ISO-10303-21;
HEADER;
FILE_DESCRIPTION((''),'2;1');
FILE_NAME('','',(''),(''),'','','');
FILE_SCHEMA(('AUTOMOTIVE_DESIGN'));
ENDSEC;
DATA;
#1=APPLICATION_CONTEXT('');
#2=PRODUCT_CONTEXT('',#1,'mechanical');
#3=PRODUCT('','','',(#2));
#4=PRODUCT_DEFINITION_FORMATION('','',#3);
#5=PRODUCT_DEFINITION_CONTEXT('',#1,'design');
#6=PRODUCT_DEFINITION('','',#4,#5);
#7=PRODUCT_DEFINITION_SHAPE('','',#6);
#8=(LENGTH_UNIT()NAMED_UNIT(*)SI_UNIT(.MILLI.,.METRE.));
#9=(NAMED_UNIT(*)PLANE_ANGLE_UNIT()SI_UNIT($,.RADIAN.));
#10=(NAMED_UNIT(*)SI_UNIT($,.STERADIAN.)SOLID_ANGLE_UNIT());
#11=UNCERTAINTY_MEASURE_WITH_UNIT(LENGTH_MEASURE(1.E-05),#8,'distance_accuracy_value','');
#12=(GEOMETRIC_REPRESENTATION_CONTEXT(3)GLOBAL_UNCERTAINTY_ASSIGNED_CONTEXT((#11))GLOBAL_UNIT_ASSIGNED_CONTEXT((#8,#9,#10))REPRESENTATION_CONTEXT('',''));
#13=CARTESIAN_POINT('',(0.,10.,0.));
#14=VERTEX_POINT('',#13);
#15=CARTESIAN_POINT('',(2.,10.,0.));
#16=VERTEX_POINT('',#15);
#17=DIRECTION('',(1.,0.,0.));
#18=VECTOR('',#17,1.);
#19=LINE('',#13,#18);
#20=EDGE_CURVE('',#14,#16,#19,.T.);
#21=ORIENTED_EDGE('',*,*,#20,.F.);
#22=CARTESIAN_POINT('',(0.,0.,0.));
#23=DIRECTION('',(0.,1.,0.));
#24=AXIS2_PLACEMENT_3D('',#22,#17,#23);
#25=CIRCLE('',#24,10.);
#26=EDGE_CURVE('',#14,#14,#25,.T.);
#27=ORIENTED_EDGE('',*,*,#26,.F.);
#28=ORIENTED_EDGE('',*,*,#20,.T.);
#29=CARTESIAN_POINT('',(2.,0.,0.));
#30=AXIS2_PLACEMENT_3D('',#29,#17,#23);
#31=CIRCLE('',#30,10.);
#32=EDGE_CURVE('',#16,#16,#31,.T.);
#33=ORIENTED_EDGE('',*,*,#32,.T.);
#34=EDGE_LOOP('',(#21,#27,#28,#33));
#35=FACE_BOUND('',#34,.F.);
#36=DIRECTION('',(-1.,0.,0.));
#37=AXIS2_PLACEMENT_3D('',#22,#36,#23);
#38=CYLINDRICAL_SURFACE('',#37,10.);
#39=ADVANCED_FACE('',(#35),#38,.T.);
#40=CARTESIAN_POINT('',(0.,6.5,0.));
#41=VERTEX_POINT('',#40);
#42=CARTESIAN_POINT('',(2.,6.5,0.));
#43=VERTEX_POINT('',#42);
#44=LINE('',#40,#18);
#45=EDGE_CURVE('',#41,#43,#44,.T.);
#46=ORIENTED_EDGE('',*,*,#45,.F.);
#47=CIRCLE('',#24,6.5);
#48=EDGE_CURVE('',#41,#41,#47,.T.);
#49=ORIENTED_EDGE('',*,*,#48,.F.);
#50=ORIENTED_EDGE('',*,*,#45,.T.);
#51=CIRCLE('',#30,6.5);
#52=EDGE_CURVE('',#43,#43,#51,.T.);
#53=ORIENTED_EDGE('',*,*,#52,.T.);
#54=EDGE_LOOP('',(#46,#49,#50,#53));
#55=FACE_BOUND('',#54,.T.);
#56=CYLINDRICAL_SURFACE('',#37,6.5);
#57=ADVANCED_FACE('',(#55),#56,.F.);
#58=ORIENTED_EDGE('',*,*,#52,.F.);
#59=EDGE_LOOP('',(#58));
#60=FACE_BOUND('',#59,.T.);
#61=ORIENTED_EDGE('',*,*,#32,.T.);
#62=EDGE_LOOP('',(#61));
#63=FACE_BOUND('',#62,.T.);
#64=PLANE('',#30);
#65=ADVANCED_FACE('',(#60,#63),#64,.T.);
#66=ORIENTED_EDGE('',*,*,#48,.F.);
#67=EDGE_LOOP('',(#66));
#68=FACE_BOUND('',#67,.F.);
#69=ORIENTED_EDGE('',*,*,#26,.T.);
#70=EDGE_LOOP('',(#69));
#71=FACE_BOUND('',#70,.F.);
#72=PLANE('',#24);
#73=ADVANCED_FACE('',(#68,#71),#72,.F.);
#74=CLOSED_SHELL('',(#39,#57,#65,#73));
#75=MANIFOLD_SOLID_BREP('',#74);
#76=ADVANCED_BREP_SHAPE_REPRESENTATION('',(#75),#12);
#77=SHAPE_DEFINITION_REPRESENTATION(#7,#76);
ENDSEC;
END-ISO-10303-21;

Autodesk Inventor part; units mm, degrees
ref_plane "YZ Plane" through (0, 0, 0) normal (1, 0, 0) x (0, 1, 0)
ref_plane "XZ Plane" through (0, 0, 0) normal (0, 1, 0) x (-1, 0, 0)
sketch "Szkic" plane through (0, 0, 0) normal (1, 0, 0) x (0, 1, 0)
  circle A0 centre (0, 0) radius 10
  circle A1 centre (0, 0) radius 6.5
  dimension "d0" = 13
  dimension "d1" = 20
extrude "Bryła" add sketch "Szkic" along normal blind 2
ref_plane "Work Plane1" through (0, 0, 0) normal (0, 0, 1) x (1, 0, 0)
equation "\"d0\" = SD1"
equation "\"d1\" = SD2"
equation "\"d2\" = SD"
equation "\"SD1\" = 13"
equation "\"SD2\" = 20"
equation "\"SD\" = 2"
equation "\"NND\" = 12"
properties part number "ISO 7092 - ST 12 - 140 HV" material "Aluminium AW-7020"
